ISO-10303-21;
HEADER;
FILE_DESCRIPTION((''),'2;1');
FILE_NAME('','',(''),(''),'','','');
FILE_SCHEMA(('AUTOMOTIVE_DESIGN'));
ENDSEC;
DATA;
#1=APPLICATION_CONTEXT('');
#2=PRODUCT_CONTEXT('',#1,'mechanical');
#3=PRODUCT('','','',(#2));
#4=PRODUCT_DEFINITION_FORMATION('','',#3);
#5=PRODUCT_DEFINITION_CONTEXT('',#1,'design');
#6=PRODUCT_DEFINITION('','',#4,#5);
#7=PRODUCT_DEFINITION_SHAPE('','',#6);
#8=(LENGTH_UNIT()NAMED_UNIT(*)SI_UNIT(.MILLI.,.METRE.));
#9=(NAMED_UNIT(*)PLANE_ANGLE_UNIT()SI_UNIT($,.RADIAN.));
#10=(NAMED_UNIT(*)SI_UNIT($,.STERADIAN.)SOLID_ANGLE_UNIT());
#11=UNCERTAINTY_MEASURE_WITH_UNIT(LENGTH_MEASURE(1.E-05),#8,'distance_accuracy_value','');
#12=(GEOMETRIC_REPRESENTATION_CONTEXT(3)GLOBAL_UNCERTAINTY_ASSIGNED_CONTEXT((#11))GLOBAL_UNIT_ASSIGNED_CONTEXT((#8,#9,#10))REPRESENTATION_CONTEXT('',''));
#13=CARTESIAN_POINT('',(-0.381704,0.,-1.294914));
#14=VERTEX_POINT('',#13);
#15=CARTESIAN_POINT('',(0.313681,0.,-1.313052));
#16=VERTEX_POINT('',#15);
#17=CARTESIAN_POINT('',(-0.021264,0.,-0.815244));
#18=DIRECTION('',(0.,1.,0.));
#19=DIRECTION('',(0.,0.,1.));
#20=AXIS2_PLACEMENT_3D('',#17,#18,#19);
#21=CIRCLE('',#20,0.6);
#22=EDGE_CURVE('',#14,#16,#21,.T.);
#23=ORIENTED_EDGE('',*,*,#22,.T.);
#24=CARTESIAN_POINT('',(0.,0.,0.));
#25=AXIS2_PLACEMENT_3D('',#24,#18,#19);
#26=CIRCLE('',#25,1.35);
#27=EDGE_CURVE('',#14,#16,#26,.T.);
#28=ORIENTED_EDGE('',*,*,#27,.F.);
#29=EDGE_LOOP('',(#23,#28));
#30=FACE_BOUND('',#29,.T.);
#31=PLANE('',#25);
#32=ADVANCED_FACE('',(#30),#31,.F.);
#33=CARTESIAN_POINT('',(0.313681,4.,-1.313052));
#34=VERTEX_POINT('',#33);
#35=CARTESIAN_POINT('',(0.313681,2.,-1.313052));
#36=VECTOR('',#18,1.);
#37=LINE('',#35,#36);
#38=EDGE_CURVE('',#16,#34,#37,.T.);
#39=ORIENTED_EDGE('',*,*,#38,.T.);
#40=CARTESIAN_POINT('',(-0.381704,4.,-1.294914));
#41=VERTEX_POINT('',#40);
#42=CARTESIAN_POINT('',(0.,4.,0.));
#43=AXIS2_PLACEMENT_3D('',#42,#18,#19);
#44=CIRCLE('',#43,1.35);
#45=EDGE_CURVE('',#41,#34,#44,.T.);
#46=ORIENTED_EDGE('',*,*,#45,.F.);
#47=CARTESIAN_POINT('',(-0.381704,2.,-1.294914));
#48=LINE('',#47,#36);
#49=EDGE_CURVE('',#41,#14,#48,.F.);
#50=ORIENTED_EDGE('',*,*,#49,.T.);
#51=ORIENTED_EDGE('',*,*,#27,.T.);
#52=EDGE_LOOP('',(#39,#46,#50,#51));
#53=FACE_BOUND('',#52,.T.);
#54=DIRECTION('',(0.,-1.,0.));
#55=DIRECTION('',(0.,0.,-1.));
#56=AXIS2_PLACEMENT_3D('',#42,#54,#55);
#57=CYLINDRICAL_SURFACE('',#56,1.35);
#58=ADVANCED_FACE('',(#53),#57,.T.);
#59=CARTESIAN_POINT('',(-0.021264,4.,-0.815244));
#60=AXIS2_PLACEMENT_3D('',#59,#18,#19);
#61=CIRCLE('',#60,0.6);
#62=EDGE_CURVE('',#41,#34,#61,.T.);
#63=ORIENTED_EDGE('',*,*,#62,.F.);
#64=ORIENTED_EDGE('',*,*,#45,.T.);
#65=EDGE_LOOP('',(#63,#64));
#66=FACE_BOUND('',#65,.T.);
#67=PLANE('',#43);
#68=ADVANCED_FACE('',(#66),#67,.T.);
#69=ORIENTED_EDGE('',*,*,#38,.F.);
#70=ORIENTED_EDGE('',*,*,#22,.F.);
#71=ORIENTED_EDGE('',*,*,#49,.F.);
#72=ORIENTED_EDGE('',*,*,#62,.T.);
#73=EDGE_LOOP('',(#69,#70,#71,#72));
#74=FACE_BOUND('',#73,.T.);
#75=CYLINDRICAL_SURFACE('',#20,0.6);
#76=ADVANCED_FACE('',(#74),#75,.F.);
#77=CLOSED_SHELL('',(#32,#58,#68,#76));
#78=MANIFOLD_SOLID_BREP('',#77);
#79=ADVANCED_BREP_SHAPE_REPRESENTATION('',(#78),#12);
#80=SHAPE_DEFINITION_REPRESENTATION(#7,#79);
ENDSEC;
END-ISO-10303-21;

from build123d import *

# Parameters (mm, degrees)
SKETCH_1_R          = 1.35
EXTRUDE_1_DEPTH     = 4
SKETCH_2_R          = 0.6
CUT_EXTRUDE_1_DEPTH = 5.432268042


with BuildPart() as part:
    # 草图1 → 凸台-拉伸1 (new body)
    with BuildSketch(Plane(origin=(0, 0, 0), x_dir=(1, 0, 0), z_dir=(0, 1, 0))):
        with Locations(Location((0, 0, 0), (0, 0, 270))):
            Circle(SKETCH_1_R)
    extrude(amount=EXTRUDE_1_DEPTH)

    # 草图2 → 切除-拉伸1 (cut, through all)
    with BuildSketch(Plane(origin=(0, 4, 0), x_dir=(1, 0, 0), z_dir=(0, 1, 0))):
        with Locations((-0.021263906, 0.815244227)):
            Circle(SKETCH_2_R)
    extrude(amount=-CUT_EXTRUDE_1_DEPTH, mode=Mode.SUBTRACT)


solid = part.part
